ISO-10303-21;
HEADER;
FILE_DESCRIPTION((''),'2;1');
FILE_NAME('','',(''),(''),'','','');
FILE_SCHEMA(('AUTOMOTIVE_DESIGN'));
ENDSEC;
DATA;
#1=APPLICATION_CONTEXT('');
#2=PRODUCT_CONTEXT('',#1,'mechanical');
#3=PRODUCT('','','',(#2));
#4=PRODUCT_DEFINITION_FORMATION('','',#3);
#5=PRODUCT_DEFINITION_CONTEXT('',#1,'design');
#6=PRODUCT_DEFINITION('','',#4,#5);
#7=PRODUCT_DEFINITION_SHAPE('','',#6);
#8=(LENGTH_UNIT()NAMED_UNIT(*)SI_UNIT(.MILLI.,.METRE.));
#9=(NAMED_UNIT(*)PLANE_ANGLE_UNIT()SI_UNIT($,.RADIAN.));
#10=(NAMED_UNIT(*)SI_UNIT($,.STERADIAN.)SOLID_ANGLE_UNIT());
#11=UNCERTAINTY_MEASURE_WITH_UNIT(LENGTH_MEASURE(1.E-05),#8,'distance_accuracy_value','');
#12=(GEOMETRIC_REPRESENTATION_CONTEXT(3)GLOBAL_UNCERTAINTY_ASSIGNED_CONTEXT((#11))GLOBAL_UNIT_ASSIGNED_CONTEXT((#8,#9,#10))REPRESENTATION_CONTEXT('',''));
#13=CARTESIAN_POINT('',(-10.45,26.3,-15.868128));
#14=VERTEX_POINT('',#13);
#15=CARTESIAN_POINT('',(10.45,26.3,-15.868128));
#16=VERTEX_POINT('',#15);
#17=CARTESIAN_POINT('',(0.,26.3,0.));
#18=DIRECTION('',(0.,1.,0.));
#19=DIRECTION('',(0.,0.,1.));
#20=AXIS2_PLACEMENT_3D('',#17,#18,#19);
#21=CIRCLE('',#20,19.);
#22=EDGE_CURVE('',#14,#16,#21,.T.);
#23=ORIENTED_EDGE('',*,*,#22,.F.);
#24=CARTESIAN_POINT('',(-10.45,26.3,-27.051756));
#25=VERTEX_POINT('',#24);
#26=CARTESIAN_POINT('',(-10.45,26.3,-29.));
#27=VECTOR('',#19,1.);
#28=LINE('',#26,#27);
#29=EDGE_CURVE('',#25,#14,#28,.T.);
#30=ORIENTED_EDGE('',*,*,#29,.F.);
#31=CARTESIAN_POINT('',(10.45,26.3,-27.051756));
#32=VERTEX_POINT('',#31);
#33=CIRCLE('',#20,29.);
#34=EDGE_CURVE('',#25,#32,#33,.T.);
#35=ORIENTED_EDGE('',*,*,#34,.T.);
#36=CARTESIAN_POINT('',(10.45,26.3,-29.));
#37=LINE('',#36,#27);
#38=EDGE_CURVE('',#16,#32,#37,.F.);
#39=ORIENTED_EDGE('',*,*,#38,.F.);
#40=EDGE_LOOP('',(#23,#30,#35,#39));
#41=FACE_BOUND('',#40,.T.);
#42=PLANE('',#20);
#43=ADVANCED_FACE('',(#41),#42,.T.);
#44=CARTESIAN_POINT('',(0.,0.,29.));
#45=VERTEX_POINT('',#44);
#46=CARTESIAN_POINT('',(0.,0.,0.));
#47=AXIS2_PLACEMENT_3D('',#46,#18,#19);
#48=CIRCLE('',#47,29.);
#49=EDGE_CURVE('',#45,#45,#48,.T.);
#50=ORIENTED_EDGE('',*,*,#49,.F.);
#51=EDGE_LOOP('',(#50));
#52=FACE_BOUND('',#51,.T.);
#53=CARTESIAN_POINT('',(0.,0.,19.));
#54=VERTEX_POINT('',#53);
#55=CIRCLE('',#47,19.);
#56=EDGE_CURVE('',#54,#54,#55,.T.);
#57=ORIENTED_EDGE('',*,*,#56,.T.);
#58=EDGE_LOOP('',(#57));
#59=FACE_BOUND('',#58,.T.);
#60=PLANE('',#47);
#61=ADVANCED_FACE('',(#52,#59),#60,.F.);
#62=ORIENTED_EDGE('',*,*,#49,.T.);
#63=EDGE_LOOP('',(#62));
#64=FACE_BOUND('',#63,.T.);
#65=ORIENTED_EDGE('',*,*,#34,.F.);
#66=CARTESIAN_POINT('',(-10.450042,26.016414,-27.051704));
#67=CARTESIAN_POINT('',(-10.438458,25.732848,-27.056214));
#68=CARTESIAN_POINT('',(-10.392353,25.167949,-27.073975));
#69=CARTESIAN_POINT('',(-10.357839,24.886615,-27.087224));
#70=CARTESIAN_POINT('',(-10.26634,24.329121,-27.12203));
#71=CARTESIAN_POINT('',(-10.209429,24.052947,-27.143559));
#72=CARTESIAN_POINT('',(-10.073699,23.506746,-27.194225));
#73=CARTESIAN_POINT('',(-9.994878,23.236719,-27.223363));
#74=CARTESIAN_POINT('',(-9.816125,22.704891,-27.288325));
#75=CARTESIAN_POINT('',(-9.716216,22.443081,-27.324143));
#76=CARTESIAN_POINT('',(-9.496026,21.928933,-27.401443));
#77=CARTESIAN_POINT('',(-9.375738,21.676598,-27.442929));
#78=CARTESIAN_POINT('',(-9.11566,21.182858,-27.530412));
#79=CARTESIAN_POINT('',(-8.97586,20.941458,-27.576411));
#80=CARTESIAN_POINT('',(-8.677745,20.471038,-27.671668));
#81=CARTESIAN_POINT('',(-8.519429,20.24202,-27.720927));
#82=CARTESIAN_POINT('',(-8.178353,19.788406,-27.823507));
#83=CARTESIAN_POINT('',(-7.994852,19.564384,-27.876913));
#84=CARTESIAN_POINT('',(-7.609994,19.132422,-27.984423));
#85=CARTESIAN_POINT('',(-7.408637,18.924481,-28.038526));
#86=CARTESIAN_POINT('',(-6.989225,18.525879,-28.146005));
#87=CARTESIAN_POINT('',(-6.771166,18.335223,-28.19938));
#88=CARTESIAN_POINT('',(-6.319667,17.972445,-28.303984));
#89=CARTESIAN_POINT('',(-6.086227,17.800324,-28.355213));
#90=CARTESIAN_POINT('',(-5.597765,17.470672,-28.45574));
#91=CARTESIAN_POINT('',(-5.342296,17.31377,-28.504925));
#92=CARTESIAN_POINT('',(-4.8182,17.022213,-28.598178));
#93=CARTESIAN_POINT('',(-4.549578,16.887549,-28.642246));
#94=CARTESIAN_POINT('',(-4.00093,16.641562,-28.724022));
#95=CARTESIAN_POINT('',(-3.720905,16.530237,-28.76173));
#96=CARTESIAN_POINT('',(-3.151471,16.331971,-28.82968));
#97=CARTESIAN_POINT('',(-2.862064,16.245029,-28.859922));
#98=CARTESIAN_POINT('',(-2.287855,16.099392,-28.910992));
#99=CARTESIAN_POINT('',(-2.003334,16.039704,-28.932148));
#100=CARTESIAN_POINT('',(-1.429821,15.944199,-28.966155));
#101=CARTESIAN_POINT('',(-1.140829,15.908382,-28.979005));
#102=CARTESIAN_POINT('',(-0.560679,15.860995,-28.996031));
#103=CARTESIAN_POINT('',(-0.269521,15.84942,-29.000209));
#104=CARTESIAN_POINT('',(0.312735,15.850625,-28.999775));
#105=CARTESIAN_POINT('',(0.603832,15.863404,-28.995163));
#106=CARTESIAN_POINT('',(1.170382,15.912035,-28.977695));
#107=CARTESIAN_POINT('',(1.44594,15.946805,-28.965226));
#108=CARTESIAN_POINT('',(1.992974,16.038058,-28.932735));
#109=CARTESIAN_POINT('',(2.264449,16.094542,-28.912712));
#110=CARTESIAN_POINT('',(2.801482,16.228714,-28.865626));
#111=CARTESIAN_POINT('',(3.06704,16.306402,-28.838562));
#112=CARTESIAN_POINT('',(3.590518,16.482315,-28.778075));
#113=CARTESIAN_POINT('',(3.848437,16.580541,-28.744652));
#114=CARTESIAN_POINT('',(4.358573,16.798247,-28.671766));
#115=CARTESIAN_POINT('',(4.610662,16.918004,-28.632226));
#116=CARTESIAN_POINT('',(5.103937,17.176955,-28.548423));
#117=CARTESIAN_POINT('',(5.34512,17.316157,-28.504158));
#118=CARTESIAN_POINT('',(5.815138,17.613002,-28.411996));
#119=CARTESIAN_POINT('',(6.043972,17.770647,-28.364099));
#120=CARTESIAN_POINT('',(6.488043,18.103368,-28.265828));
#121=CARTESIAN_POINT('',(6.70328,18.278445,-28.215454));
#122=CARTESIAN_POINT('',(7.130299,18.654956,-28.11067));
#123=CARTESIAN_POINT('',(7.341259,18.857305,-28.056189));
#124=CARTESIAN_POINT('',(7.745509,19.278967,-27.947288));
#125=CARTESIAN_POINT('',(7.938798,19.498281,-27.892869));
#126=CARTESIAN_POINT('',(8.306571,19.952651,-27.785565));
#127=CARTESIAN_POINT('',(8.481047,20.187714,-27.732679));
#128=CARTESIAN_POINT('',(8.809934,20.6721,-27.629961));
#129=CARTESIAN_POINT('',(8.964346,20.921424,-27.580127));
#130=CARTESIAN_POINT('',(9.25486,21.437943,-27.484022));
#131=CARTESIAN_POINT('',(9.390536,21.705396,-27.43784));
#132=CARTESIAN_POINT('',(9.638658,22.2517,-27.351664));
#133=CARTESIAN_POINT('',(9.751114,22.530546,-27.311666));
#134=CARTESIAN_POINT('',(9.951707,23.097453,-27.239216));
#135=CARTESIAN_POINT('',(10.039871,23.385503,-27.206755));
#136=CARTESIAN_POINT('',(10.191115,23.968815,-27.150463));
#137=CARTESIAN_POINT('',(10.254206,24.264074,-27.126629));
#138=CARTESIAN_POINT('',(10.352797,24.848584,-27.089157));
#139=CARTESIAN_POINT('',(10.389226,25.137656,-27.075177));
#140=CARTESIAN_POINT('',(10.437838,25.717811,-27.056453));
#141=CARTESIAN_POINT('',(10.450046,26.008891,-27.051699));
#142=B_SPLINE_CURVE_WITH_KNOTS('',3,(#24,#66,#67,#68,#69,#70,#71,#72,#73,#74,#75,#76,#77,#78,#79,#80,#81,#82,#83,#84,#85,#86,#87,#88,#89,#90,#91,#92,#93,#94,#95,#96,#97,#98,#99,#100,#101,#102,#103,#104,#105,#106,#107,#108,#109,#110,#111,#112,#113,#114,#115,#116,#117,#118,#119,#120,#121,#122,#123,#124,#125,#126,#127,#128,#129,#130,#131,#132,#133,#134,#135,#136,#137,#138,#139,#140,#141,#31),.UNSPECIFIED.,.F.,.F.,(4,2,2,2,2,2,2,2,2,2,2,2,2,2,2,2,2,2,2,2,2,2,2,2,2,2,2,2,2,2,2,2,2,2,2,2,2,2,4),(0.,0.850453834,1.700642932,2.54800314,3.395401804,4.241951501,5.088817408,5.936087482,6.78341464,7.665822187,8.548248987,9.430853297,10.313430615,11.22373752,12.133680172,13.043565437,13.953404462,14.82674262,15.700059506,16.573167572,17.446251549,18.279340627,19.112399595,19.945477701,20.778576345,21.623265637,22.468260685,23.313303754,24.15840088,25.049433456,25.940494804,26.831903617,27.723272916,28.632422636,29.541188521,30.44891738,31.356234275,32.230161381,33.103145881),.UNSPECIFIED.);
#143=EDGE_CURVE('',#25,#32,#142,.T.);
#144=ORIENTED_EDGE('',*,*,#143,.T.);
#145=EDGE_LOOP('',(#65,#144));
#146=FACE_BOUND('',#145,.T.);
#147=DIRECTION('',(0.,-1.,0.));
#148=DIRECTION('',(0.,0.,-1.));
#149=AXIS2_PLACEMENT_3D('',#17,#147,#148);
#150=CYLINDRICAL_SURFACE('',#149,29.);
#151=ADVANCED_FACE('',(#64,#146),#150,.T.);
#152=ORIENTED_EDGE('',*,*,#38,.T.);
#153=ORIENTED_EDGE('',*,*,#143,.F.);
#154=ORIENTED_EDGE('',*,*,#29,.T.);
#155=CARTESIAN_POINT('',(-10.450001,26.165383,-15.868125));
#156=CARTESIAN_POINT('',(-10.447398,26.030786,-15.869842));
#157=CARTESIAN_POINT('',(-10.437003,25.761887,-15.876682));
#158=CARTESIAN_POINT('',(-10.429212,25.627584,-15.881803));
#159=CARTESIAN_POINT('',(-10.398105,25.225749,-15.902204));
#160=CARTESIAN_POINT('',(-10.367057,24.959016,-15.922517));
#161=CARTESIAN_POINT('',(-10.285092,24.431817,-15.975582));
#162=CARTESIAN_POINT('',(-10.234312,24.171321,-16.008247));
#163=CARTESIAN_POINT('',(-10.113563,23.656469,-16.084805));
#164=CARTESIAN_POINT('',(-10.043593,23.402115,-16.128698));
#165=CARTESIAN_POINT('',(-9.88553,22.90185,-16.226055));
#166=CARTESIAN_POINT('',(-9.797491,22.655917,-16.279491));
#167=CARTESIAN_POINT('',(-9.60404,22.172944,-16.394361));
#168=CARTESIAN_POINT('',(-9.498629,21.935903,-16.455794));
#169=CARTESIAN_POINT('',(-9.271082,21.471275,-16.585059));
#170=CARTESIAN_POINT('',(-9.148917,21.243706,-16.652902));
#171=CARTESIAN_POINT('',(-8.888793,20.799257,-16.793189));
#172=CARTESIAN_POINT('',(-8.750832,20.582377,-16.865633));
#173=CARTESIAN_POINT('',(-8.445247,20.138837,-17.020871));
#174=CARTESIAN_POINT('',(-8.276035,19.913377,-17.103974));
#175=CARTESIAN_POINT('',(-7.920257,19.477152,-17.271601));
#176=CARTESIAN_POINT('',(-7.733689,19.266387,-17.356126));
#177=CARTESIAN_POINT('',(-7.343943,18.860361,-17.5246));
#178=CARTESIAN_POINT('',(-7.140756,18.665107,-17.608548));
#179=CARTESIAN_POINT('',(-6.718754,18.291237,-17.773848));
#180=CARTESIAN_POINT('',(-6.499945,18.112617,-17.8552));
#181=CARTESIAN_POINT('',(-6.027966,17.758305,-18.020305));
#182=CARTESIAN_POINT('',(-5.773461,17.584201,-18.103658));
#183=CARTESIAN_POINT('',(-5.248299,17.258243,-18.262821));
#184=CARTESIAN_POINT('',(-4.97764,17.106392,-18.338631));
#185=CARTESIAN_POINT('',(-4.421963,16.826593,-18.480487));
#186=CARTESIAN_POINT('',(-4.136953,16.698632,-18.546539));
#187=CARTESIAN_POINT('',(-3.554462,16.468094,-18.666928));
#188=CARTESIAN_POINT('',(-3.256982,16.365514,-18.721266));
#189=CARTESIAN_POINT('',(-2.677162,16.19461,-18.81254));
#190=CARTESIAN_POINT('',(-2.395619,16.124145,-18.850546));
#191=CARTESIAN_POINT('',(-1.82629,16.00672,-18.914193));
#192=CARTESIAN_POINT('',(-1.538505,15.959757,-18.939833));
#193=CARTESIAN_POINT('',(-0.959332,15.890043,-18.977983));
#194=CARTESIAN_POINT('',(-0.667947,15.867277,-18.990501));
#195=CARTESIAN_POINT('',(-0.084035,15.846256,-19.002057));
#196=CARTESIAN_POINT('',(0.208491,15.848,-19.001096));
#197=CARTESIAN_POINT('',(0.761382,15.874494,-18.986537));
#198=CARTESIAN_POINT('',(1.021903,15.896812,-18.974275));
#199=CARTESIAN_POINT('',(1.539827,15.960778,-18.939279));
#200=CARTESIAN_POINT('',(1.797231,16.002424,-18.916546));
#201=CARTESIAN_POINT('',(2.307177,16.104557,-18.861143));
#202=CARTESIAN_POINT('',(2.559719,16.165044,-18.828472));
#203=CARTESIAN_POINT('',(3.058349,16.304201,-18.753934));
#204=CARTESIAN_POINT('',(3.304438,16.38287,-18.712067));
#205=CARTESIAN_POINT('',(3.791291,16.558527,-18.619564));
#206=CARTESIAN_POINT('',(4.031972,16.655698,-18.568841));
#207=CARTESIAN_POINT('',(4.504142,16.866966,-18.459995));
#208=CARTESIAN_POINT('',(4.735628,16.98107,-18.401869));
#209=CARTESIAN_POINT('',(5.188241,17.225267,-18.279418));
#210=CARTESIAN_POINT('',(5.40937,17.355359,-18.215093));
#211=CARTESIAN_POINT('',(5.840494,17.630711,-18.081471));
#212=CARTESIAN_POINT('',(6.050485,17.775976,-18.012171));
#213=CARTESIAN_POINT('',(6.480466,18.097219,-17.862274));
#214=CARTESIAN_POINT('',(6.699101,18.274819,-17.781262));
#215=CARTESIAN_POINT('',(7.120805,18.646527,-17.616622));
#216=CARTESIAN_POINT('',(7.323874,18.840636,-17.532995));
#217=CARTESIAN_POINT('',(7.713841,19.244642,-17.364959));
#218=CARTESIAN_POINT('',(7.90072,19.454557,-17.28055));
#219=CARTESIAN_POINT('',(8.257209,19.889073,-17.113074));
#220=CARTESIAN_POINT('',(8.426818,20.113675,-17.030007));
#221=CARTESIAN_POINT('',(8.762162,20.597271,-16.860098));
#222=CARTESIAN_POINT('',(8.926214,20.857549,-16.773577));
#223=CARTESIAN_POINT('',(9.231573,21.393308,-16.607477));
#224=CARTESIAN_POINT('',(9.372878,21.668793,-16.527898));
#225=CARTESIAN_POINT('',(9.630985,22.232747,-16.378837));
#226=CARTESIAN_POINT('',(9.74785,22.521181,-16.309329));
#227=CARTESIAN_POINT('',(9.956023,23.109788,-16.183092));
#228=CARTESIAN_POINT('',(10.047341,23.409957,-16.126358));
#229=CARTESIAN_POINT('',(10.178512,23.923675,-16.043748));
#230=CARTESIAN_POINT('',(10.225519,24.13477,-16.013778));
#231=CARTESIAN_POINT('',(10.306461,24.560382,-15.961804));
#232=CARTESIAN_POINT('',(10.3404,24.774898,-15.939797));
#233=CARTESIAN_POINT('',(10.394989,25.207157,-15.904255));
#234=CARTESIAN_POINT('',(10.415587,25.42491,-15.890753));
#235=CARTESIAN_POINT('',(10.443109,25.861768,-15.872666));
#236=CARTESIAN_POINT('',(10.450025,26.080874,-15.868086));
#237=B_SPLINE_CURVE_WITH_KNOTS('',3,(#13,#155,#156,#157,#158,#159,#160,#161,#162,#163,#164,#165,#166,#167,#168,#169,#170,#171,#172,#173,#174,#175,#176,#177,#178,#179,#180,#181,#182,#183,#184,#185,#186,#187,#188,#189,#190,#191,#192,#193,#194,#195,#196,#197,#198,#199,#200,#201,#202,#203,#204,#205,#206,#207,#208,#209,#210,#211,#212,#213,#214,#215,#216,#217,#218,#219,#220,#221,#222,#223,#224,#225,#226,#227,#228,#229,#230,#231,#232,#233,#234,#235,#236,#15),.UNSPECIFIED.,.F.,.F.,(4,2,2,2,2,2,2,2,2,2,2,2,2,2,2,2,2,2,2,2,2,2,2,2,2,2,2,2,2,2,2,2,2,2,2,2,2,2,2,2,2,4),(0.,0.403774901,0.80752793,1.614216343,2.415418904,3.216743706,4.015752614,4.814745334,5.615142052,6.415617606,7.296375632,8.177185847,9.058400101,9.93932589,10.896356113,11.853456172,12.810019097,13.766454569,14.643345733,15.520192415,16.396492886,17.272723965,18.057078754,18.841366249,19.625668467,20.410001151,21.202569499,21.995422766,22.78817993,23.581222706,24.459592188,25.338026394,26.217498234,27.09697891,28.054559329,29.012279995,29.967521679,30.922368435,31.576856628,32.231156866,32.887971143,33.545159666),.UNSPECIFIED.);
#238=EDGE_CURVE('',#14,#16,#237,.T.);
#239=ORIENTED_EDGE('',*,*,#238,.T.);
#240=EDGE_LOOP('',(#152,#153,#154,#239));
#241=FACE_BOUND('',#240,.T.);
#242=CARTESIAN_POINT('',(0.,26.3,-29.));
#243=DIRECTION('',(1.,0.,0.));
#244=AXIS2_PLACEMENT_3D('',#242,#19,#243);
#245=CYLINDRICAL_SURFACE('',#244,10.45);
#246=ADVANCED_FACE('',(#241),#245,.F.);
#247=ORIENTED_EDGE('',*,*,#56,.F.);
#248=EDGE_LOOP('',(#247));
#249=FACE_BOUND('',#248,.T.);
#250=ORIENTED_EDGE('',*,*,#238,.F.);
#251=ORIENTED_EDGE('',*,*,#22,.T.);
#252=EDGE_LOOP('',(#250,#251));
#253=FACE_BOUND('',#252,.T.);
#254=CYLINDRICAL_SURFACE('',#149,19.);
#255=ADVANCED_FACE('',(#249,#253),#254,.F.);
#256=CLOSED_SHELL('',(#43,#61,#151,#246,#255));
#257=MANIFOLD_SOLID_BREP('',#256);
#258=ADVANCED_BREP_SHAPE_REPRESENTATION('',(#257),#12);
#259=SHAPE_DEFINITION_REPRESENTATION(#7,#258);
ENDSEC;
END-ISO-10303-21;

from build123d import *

# Parameters (mm, degrees)
SKETCH1_R           = 29
SKETCH1_R_2         = 19
BOSS_EXTRUDE1_DEPTH = 26.3
SKETCH2_R           = 10.45
CUT_EXTRUDE1_DEPTH  = 49.720529554


with BuildPart() as part:
    # Sketch1 → Boss-Extrude1 (new body)
    with BuildSketch(Plane(origin=(0, 0, 0), x_dir=(1, 0, 0), z_dir=(0, 1, 0))):
        with Locations(Location((0, 0, 0), (0, 0, 270))):
            Circle(SKETCH1_R)
        with Locations(Location((0, 0, 0), (0, 0, 270))):
            Circle(SKETCH1_R_2, mode=Mode.SUBTRACT)
    extrude(amount=BOSS_EXTRUDE1_DEPTH)

    # Sketch2 → Cut-Extrude1 (cut, through all)
    with BuildSketch(Plane.XY):
        with Locations((0, 26.3)):
            Circle(SKETCH2_R)
    extrude(amount=-CUT_EXTRUDE1_DEPTH, mode=Mode.SUBTRACT)


solid = part.part
